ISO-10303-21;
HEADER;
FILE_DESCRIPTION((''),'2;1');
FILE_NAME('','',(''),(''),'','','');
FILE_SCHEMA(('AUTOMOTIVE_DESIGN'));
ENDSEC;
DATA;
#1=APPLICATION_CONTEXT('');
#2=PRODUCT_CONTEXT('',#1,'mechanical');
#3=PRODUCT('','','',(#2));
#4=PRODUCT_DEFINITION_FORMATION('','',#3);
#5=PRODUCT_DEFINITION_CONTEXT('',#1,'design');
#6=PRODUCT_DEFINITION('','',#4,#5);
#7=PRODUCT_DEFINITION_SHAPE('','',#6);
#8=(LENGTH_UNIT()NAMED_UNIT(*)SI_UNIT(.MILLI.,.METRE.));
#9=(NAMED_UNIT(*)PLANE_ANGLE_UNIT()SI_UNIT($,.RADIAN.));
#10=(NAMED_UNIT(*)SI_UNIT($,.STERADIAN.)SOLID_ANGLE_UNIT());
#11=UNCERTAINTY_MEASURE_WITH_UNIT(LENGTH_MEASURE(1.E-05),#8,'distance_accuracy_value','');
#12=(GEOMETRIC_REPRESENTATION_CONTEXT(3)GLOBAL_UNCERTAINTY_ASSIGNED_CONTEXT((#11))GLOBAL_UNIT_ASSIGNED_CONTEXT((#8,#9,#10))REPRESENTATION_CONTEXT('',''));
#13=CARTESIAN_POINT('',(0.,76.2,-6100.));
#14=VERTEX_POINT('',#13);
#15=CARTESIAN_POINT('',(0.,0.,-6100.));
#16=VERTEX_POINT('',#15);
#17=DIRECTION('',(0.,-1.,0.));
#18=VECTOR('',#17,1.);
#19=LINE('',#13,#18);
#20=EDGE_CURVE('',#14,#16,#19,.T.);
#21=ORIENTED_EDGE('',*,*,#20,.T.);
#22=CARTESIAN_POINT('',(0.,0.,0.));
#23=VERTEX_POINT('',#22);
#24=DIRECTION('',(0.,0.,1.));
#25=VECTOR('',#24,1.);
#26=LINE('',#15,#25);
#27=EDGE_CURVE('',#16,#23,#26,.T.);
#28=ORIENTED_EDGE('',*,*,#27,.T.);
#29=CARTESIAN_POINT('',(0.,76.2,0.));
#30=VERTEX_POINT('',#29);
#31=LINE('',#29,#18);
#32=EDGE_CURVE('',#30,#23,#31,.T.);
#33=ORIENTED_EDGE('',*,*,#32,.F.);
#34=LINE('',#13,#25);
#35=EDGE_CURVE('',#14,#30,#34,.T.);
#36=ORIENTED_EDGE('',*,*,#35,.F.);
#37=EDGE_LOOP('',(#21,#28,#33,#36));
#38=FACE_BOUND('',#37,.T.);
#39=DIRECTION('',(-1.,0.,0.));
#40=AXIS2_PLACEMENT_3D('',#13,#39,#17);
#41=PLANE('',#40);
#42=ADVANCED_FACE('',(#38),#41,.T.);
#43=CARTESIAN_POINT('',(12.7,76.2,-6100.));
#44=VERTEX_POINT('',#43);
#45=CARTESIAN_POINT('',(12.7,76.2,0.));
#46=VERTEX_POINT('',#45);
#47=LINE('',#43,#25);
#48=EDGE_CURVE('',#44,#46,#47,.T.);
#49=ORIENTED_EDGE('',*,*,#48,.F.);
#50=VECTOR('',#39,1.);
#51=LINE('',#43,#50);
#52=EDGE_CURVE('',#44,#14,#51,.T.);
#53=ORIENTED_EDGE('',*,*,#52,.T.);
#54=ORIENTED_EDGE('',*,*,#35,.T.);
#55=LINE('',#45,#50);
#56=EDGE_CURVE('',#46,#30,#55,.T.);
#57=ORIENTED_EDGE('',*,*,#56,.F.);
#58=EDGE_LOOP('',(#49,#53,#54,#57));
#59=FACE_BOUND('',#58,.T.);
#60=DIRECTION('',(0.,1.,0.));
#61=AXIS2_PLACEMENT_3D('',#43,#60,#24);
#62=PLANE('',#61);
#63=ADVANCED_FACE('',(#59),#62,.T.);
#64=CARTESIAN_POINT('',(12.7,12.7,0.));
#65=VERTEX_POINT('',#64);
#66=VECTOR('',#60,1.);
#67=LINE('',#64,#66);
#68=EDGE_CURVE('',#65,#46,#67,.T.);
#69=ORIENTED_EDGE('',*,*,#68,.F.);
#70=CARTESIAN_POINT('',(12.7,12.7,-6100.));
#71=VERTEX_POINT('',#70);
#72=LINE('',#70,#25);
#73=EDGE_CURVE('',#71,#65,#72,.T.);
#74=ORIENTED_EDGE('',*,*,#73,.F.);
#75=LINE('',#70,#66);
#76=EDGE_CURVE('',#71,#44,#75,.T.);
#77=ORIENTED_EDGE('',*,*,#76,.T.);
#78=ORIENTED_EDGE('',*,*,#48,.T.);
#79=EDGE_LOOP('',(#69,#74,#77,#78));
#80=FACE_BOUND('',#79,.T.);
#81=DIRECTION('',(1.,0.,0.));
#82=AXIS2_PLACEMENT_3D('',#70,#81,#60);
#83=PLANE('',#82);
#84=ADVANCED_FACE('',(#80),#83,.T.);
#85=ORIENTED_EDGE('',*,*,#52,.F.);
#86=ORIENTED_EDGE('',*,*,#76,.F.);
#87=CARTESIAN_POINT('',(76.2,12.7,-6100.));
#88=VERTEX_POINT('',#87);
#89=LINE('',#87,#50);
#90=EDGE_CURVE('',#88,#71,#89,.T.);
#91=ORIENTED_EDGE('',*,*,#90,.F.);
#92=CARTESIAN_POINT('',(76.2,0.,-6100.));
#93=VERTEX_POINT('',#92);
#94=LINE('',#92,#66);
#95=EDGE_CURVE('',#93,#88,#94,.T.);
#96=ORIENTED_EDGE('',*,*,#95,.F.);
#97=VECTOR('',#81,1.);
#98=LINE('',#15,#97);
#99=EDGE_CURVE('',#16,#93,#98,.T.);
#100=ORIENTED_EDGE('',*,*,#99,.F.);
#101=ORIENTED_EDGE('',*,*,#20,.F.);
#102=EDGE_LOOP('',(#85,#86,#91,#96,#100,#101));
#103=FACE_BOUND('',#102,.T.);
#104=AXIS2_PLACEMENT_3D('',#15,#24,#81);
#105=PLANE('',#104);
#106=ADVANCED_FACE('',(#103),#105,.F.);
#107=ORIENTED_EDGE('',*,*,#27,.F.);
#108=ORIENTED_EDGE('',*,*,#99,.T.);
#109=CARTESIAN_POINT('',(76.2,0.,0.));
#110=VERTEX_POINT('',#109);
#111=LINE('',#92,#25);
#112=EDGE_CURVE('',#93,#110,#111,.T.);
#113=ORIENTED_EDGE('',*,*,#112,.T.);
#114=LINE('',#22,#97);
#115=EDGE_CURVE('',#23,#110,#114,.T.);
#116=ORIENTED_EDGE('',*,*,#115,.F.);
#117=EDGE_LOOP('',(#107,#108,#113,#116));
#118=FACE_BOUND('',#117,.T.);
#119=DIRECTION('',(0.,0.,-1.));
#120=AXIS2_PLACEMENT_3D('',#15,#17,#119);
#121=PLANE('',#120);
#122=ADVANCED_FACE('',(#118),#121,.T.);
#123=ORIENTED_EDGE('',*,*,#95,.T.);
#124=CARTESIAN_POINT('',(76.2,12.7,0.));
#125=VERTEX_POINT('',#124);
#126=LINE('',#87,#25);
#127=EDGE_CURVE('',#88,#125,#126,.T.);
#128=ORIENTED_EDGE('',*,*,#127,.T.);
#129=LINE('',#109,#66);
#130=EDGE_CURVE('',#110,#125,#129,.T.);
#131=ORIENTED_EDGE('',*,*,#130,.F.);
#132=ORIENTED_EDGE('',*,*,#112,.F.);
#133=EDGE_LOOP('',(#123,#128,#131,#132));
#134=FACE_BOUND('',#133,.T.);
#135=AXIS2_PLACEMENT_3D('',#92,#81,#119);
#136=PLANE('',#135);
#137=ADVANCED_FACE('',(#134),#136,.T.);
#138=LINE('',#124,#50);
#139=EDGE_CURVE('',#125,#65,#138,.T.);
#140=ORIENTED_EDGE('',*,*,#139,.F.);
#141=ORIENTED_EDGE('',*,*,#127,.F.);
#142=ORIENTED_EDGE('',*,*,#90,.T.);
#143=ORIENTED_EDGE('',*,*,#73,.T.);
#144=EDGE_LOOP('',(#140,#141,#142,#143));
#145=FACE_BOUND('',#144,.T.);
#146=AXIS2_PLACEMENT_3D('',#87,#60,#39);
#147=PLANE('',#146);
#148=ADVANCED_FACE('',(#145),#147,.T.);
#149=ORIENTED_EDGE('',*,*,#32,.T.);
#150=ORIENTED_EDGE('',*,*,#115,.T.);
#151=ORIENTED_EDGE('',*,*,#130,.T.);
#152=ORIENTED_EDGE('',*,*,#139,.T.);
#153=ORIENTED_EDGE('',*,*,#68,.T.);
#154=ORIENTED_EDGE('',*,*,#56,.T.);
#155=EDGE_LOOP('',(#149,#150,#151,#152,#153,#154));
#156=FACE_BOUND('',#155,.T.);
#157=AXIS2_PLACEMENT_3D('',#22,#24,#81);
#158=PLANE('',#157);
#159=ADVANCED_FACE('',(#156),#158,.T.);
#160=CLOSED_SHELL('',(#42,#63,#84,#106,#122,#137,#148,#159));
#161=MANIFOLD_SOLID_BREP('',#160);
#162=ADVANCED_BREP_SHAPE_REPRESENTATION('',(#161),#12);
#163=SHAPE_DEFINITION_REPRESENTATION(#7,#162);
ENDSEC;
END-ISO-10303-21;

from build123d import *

# Parameters (mm, degrees)
SALIENTE_EXTRUIR1_DEPTH = 6100


with BuildPart() as part:
    # Croquis1 → Saliente-Extruir1 (new body)
    with BuildSketch(Plane.XY):
        Polygon((0, 76.2), (0, 0), (76.2, 0), (76.2, 12.7), (12.7, 12.7), (12.7, 76.2), align=None)
    extrude(amount=-SALIENTE_EXTRUIR1_DEPTH)


solid = part.part
